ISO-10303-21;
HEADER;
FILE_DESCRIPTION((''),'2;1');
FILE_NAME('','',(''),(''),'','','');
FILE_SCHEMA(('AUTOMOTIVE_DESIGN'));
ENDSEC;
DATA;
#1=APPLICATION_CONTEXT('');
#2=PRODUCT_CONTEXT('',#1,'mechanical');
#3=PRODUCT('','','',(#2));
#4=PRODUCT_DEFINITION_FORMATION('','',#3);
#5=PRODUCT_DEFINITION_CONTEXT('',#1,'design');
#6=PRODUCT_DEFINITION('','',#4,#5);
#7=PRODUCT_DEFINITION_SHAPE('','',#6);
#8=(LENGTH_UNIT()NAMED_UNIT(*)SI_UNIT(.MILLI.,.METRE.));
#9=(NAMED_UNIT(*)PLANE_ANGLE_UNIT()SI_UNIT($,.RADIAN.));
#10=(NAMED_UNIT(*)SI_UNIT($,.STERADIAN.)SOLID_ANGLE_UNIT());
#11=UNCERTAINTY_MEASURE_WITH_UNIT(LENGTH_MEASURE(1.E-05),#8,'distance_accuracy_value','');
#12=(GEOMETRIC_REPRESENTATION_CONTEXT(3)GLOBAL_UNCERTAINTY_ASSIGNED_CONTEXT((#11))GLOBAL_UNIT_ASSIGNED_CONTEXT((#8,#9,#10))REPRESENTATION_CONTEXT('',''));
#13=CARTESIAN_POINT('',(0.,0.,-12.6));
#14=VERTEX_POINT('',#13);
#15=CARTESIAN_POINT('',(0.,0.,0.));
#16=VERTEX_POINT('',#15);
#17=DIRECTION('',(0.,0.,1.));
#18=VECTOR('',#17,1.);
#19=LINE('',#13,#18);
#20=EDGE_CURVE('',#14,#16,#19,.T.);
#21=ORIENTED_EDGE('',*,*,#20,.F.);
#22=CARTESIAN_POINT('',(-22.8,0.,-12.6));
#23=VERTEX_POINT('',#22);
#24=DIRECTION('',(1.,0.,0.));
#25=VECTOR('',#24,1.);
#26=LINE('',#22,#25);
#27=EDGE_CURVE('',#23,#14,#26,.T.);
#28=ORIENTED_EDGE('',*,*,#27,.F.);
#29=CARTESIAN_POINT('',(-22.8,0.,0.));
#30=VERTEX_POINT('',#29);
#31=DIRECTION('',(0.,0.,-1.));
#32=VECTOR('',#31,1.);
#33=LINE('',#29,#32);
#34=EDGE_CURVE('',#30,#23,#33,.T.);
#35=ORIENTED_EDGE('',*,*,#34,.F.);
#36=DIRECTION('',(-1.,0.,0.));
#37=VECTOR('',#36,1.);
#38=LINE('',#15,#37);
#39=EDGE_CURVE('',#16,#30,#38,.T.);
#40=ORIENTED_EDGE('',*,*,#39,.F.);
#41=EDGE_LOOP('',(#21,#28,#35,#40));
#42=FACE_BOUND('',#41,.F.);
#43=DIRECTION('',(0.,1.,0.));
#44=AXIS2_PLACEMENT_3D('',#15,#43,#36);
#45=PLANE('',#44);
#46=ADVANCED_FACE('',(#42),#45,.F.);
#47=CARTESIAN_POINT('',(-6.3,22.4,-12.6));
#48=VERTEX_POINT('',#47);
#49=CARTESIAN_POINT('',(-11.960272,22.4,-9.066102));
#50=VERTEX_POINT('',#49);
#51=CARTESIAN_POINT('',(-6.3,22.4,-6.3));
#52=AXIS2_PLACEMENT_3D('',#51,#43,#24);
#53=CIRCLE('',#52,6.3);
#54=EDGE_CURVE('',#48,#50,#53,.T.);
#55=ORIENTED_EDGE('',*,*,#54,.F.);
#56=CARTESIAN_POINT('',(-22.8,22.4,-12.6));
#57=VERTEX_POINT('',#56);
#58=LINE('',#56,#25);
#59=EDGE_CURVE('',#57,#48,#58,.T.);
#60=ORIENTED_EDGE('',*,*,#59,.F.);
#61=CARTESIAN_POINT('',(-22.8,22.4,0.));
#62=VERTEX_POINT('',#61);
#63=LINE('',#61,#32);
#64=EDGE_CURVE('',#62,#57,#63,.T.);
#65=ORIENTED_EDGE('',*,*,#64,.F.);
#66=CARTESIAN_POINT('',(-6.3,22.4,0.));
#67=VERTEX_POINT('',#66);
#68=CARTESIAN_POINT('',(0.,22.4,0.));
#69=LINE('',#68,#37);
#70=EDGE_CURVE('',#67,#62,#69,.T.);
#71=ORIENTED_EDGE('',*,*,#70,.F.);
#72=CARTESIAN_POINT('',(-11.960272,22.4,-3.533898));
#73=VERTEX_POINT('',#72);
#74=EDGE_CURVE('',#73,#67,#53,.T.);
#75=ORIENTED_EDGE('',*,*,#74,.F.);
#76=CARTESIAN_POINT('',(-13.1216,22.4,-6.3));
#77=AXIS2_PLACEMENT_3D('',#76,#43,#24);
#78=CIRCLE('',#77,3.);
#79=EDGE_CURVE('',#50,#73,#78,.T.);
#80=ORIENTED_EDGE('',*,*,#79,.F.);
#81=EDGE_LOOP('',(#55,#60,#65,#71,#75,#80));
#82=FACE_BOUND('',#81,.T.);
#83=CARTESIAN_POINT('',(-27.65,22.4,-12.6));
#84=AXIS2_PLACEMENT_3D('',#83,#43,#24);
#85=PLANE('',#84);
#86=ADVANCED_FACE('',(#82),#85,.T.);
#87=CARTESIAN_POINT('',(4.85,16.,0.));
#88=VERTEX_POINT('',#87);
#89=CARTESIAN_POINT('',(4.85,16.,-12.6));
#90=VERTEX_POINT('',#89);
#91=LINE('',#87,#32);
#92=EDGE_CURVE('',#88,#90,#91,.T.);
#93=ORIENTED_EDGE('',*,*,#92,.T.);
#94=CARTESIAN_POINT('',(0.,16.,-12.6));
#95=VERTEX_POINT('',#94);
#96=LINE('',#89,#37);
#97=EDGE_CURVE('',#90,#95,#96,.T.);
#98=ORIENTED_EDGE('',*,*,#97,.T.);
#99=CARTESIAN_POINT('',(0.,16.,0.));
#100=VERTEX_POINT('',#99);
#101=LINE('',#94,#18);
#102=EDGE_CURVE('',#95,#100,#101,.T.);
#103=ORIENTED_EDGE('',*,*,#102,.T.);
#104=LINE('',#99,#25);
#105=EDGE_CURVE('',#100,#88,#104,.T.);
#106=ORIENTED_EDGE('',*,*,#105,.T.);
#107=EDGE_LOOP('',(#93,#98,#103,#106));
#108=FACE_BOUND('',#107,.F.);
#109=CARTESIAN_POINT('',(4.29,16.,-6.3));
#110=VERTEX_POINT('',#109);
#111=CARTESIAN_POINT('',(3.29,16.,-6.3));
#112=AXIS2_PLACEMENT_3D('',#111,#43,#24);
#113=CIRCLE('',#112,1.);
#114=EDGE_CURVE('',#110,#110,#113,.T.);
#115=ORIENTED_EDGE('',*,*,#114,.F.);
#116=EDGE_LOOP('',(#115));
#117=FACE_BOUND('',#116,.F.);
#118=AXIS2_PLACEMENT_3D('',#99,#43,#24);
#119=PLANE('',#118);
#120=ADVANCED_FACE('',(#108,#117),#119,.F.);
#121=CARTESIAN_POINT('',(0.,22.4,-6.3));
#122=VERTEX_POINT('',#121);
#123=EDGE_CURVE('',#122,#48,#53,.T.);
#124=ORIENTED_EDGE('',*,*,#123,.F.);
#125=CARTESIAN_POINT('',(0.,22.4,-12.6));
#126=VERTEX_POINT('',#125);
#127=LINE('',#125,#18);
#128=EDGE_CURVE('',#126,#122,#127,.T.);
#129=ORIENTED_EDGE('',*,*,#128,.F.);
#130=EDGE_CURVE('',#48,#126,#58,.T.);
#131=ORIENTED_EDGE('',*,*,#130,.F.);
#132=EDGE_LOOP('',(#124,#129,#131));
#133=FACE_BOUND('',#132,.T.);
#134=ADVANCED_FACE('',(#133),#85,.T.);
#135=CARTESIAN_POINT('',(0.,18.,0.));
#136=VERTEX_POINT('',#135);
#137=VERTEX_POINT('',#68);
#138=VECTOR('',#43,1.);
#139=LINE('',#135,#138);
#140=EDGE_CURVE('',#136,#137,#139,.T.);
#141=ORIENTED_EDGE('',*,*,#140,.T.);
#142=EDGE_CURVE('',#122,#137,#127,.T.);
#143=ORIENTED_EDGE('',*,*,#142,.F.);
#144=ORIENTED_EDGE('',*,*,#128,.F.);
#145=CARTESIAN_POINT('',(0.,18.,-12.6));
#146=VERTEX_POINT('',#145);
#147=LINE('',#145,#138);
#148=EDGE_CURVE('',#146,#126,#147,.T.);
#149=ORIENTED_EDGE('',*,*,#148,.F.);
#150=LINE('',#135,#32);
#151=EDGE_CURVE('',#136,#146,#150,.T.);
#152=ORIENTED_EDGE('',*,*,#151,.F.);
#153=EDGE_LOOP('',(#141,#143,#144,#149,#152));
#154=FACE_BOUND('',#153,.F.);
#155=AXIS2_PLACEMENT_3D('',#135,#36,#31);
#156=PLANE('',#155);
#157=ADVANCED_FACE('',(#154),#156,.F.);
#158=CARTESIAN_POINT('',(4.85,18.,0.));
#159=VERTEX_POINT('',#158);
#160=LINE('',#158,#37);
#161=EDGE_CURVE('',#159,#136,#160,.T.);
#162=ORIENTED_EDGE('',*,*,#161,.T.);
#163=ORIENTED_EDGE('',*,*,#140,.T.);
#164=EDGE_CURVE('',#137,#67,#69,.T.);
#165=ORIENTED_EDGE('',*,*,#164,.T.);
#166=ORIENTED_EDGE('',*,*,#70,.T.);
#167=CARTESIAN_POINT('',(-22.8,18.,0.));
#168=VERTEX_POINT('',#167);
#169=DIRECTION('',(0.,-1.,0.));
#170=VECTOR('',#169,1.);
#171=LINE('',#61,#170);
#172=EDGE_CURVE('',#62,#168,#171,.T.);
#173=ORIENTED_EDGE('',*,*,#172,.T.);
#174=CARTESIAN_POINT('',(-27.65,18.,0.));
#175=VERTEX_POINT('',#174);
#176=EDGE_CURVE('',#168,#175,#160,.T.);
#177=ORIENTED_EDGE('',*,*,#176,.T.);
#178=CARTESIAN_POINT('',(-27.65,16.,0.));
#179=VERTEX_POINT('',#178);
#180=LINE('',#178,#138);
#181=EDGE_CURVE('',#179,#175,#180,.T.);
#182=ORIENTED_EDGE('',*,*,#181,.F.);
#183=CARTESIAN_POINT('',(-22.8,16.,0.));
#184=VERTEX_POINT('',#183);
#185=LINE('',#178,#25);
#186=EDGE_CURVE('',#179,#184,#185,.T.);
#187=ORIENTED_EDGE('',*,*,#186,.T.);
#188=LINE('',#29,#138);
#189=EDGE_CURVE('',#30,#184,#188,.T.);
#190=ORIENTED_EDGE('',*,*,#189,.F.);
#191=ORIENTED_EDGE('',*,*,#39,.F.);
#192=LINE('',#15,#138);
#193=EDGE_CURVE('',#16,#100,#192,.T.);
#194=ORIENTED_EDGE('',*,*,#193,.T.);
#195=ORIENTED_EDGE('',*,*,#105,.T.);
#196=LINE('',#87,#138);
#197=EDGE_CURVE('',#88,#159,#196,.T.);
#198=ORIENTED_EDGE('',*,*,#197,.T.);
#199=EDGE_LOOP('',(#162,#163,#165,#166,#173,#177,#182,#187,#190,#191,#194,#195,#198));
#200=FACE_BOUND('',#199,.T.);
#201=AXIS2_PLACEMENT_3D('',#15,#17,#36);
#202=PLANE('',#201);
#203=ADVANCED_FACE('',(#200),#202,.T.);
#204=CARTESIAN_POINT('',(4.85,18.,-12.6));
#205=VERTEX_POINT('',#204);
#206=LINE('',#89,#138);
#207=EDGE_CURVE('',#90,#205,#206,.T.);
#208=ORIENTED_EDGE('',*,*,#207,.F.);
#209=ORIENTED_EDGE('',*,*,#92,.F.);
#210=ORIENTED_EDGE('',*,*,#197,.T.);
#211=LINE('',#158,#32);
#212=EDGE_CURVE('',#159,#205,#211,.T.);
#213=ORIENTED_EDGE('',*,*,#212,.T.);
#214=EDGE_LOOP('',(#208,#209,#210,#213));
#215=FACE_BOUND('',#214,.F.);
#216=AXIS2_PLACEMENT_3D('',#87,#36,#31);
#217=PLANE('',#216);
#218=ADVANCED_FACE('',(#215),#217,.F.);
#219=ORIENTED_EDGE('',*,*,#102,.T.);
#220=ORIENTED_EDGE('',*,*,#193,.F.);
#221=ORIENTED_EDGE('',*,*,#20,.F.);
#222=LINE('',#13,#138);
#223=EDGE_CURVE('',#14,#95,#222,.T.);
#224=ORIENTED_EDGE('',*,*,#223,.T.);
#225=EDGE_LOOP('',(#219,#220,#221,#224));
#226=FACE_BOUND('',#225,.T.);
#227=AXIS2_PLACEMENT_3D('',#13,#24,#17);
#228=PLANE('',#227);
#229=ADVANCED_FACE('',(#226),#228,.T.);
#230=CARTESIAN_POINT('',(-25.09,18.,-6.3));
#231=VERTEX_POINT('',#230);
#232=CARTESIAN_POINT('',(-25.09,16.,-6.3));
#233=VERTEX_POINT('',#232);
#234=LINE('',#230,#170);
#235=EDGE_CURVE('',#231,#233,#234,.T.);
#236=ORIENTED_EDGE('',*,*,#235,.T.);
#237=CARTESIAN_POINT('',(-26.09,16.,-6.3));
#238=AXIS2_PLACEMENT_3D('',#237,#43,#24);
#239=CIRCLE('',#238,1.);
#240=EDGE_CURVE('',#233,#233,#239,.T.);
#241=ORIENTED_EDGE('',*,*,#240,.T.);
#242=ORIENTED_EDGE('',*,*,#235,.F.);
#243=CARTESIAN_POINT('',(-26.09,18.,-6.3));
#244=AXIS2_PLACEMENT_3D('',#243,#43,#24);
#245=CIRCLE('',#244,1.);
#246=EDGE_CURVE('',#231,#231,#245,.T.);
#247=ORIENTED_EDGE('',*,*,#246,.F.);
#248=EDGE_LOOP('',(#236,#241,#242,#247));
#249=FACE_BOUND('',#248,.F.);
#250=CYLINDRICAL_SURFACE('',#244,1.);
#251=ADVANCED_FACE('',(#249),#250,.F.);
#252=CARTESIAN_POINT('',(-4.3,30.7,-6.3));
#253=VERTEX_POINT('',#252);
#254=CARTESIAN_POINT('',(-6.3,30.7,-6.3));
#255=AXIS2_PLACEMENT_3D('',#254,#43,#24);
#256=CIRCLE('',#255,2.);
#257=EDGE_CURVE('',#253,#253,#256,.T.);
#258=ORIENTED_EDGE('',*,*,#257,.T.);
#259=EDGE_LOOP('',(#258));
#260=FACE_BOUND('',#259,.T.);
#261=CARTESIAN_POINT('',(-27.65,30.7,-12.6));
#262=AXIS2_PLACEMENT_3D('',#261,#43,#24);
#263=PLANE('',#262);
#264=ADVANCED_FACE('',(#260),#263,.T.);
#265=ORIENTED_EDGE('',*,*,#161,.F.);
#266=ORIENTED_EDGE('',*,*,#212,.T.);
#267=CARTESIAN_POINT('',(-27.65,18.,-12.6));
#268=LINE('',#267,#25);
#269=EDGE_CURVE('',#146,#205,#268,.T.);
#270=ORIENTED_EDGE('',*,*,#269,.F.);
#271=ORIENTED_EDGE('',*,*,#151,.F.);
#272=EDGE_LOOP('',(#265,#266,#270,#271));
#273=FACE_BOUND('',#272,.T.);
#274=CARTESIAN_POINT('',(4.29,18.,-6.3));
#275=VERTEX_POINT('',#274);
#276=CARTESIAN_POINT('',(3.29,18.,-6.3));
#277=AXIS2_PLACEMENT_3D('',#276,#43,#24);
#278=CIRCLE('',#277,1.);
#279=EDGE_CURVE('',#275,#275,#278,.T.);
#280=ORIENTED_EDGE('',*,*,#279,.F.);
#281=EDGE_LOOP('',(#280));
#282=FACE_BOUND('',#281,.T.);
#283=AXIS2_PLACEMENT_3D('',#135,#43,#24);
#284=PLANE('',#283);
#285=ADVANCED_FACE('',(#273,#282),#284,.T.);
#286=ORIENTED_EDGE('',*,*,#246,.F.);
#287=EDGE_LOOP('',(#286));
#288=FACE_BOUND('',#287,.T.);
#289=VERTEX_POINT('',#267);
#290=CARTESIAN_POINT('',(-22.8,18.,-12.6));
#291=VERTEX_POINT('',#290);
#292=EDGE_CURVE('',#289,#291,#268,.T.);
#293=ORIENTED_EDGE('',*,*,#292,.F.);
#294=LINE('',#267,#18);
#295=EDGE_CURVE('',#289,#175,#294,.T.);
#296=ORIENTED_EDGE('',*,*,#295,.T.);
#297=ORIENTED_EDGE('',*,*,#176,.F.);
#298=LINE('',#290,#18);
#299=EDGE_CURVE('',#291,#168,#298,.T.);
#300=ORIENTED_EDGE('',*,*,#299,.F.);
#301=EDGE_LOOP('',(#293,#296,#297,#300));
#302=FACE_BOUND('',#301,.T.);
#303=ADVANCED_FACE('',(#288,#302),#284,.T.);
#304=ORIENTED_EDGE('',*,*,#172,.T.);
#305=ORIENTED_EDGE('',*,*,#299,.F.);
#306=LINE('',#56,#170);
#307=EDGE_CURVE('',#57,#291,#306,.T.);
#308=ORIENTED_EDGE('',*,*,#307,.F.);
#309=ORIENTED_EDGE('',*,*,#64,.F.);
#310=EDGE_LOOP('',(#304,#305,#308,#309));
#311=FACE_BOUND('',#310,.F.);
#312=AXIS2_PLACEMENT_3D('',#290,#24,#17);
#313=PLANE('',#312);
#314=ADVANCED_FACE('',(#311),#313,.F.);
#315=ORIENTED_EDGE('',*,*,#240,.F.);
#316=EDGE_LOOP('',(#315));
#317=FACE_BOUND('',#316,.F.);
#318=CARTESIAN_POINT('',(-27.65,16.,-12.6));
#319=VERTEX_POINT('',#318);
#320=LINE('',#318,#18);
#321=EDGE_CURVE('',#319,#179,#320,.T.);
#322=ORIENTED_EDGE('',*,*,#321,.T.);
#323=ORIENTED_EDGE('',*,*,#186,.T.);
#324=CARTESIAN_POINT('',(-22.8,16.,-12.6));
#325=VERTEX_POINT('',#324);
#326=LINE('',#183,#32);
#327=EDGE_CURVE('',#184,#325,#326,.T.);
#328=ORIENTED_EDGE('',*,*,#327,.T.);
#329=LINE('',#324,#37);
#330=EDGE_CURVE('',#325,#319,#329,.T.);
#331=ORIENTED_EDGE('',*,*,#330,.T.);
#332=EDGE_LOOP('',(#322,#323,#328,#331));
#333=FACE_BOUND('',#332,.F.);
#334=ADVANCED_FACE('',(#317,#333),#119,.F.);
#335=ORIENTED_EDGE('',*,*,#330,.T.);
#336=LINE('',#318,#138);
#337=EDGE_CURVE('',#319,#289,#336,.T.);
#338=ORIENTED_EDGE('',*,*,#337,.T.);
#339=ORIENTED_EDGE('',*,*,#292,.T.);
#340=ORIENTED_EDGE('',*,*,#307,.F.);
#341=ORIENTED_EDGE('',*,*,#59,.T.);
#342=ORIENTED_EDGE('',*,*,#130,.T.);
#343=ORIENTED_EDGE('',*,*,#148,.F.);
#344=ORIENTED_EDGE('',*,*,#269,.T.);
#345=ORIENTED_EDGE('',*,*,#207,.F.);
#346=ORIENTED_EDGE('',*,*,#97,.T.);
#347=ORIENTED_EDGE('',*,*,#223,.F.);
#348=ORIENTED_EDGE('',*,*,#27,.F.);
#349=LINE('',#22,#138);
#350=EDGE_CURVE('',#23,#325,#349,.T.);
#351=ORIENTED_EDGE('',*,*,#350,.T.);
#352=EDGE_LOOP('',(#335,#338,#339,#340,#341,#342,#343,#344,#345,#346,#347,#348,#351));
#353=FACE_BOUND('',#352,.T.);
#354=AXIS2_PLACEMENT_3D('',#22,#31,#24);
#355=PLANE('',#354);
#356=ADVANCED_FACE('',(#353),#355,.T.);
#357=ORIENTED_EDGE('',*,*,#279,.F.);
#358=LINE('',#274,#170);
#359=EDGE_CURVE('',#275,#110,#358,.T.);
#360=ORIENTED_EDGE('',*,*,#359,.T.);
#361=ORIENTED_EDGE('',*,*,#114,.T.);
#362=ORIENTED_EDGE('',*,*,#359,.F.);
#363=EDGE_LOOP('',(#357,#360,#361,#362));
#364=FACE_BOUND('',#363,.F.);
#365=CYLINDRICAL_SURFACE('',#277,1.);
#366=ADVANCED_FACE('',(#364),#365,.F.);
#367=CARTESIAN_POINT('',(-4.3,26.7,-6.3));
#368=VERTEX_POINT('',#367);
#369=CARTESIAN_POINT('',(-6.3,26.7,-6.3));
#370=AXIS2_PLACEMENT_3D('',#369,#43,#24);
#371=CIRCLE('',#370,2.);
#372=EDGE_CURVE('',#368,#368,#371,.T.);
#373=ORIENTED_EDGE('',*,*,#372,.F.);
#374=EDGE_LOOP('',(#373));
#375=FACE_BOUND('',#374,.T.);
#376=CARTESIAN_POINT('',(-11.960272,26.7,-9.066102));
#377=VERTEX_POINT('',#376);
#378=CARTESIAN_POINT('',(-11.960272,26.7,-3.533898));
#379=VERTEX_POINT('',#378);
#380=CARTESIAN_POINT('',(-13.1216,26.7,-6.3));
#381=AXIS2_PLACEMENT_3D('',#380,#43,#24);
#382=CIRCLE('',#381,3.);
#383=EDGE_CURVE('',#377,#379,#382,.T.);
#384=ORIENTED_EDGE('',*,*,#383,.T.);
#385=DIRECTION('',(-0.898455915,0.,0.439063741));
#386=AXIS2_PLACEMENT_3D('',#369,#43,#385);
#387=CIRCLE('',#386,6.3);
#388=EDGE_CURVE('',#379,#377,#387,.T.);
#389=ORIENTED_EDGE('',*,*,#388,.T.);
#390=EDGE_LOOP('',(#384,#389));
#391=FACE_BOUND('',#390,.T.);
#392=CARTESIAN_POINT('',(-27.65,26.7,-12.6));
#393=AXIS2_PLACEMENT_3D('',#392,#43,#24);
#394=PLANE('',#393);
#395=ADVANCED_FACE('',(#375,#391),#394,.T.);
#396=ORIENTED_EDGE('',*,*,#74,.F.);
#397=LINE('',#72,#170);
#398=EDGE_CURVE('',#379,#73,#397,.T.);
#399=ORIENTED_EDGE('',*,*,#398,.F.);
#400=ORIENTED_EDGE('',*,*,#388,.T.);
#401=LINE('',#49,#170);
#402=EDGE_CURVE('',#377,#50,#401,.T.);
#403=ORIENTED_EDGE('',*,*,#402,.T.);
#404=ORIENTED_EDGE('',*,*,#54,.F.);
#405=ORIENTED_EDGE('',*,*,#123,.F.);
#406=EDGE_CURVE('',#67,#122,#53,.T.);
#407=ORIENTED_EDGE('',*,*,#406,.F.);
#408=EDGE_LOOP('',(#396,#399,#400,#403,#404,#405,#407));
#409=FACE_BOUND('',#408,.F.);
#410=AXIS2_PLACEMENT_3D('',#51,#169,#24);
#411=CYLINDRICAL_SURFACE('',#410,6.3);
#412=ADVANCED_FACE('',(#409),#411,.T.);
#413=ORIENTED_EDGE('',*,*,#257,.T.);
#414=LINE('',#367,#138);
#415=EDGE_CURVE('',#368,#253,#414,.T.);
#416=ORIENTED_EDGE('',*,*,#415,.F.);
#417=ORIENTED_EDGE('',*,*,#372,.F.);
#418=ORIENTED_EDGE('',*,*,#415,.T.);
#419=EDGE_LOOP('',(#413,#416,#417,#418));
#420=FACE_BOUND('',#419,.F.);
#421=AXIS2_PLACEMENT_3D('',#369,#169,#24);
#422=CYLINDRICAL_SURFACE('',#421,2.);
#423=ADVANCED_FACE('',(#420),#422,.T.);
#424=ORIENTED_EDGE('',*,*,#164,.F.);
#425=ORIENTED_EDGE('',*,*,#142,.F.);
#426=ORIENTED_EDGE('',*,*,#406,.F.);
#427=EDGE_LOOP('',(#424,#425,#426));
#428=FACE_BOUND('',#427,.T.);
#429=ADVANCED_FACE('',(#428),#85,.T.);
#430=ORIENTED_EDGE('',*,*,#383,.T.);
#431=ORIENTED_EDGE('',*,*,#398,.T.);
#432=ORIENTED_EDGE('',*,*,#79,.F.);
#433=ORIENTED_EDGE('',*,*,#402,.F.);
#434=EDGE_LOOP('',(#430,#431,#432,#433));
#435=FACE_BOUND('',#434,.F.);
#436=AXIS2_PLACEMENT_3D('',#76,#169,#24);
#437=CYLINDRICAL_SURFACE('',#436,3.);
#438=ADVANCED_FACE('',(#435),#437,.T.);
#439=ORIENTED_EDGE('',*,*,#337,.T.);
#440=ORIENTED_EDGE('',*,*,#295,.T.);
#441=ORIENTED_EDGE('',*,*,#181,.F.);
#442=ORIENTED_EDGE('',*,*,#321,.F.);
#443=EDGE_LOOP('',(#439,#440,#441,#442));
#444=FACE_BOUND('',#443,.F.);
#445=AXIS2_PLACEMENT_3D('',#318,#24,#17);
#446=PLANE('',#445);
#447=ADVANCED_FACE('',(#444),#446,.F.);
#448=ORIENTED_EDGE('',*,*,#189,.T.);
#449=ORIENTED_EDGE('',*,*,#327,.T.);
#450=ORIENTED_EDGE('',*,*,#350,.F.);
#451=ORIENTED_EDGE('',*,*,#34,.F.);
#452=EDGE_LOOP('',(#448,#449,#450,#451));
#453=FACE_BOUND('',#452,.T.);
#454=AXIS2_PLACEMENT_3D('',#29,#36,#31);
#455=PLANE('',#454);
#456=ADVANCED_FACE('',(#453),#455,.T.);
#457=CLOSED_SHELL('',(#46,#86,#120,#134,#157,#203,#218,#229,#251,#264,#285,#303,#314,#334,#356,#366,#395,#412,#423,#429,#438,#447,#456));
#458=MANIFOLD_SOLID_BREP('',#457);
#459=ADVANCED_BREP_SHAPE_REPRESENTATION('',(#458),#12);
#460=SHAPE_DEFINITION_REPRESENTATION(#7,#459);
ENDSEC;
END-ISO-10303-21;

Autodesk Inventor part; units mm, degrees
ref_plane "YZ Plane" through (0, 0, 0) normal (1, 0, 0) x (0, 1, 0)
ref_plane "XZ Plane" through (0, 0, 0) normal (0, 1, 0) x (-1, 0, 0)
ref_plane "XY Plane" through (0, 0, 0) normal (0, 0, 1) x (1, 0, 0)
sketch "Sketch1" plane through (0, 0, 0) normal (0, 1, 0) x (-1, 0, 0)
  line L0 (0, 0) -> (22.8, 0)
  line L1 (22.8, 0) -> (22.8, -12.6)
  line L2 (22.8, -12.6) -> (0, -12.6)
  line L3 (0, -12.6) -> (0, 0)
  dimension "d0" = 22.8
  dimension "d1" = 12.6
extrude "Extrusion1" add sketch "Sketch1" along normal blind 16
sketch "Sketch2" plane through (0, 16, 0) normal (0, 1, 0) x (1, 0, 0)
  line L0 (0, 0) -> (4.85, 0)
  line L1 (4.85, 0) -> (4.85, 12.6)
  line L2 (0, 12.6) -> (-22.8, 12.6) projected
  line L3 (4.85, 12.6) -> (-22.8, 12.6)
  line L4 (-22.8, 12.6) -> (-27.65, 12.6)
  line L5 (-27.65, 12.6) -> (-27.65, 0)
  line L6 (-27.65, 0) -> (4.85, 0)
  line L7 (-22.8, 0) -> (0, 0) projected
  dimension "d4" = 4.85
  dimension "d5" = 4.85
extrude "Extrusion2" add sketch "Sketch2" along normal blind 2
sketch "Sketch3" plane through (0, 18, 0) normal (0, 1, 0) x (1, 0, 0)
  line L0 (-27.65, 0) -> (-22.8, 0) projected
  line L1 (0, 0) -> (0, 12.6) projected
  line L2 (-22.8, 0) -> (0, 0)
  line L3 (0, 0) -> (0, 12.6)
  line L4 (0, 12.6) -> (-22.8, 12.6)
  line L5 (-22.8, 12.6) -> (-22.8, 0)
extrude "Extrusion3" add sketch "Sketch3" along normal blind 1
sketch "Sketch4" plane through (0, 18, 0) normal (0, 1, 0) x (1, 0, 0)
  line L0 (-27.65, 12.6) -> (-27.65, 0) projected
  circle A0 centre (-26.09, 6.3) radius 1
  circle A1 centre (3.29, 6.3) radius 1
  line L1 (4.85, 0) -> (4.85, 12.6) projected
  point P0 (0, 0)
  dimension "d11" = 1.56
  dimension "d12" = 2
  dimension "d13" = 2
  dimension "d14" = 1.56
extrude "Extrusion4" cut sketch "Sketch4" against normal through all
sketch "Sketch5" plane through (-27.65, 18, -12.6) normal (0, 1, 0) x (1, 0, 0)
  point P0 (27.65, -12.6)
sketch "Sketch6" plane through (-27.65, 18, -12.6) normal (0, 1, 0) x (1, 0, 0)
  line L0 (4.85, 0) -> (0, 0) projected
  line L1 (4.85, 0) -> (27.65, 0)
  line L2 (27.65, 0) -> (27.65, -12.6)
  line L3 (27.65, -12.6) -> (4.85, -12.6)
  line L4 (4.85, -12.6) -> (4.85, 0)
extrude "Extrusion5" add sketch "Sketch6" along normal blind 4.4
sketch "Sketch7" plane through (-27.65, 22.4, -12.6) normal (0, 1, 0) x (1, 0, 0)
  circle A0 centre (21.35, -6.3) radius 6.3
  line L0 (27.65, -12.6) -> (4.85, -12.6) projected
  line L1 (27.65, -12.6) -> (27.65, 0) projected
  circle A1 centre (14.1367, -6.3) radius 3
  dimension "d22" = 6.3
  dimension "d23" = 6
extrude "Extrusion6" add sketch "Sketch7" along normal blind 4.3 contours A0 A1 | A1 A0 picked at (24.082, -5.787) picked at (15.7711, -6.9546)
sketch "Sketch8" plane through (-27.65, 22.4, -12.6) normal (0, 1, 0) x (1, 0, 0)
  circle A0 centre (14.5284, -6.3) radius 3
  point P0 (27.65, -12.6)
  dimension "d26" = 6
extrude "Extrusion7" add sketch "Sketch8" along normal blind 4.3
sketch "Sketch9" plane through (-27.65, 26.7, -12.6) normal (0, 1, 0) x (1, 0, 0)
  arc A0 (15.6897, -9.0661) -> (15.6897, -3.5339) centre (21.35, -6.3) ccw projected
  circle A1 centre (21.35, -6.3) radius 2
  point P0 (27.65, -12.6)
  dimension "d29" = 4
extrude "Extrusion8" add sketch "Sketch9" along normal blind 4
properties part number "SG92R"
